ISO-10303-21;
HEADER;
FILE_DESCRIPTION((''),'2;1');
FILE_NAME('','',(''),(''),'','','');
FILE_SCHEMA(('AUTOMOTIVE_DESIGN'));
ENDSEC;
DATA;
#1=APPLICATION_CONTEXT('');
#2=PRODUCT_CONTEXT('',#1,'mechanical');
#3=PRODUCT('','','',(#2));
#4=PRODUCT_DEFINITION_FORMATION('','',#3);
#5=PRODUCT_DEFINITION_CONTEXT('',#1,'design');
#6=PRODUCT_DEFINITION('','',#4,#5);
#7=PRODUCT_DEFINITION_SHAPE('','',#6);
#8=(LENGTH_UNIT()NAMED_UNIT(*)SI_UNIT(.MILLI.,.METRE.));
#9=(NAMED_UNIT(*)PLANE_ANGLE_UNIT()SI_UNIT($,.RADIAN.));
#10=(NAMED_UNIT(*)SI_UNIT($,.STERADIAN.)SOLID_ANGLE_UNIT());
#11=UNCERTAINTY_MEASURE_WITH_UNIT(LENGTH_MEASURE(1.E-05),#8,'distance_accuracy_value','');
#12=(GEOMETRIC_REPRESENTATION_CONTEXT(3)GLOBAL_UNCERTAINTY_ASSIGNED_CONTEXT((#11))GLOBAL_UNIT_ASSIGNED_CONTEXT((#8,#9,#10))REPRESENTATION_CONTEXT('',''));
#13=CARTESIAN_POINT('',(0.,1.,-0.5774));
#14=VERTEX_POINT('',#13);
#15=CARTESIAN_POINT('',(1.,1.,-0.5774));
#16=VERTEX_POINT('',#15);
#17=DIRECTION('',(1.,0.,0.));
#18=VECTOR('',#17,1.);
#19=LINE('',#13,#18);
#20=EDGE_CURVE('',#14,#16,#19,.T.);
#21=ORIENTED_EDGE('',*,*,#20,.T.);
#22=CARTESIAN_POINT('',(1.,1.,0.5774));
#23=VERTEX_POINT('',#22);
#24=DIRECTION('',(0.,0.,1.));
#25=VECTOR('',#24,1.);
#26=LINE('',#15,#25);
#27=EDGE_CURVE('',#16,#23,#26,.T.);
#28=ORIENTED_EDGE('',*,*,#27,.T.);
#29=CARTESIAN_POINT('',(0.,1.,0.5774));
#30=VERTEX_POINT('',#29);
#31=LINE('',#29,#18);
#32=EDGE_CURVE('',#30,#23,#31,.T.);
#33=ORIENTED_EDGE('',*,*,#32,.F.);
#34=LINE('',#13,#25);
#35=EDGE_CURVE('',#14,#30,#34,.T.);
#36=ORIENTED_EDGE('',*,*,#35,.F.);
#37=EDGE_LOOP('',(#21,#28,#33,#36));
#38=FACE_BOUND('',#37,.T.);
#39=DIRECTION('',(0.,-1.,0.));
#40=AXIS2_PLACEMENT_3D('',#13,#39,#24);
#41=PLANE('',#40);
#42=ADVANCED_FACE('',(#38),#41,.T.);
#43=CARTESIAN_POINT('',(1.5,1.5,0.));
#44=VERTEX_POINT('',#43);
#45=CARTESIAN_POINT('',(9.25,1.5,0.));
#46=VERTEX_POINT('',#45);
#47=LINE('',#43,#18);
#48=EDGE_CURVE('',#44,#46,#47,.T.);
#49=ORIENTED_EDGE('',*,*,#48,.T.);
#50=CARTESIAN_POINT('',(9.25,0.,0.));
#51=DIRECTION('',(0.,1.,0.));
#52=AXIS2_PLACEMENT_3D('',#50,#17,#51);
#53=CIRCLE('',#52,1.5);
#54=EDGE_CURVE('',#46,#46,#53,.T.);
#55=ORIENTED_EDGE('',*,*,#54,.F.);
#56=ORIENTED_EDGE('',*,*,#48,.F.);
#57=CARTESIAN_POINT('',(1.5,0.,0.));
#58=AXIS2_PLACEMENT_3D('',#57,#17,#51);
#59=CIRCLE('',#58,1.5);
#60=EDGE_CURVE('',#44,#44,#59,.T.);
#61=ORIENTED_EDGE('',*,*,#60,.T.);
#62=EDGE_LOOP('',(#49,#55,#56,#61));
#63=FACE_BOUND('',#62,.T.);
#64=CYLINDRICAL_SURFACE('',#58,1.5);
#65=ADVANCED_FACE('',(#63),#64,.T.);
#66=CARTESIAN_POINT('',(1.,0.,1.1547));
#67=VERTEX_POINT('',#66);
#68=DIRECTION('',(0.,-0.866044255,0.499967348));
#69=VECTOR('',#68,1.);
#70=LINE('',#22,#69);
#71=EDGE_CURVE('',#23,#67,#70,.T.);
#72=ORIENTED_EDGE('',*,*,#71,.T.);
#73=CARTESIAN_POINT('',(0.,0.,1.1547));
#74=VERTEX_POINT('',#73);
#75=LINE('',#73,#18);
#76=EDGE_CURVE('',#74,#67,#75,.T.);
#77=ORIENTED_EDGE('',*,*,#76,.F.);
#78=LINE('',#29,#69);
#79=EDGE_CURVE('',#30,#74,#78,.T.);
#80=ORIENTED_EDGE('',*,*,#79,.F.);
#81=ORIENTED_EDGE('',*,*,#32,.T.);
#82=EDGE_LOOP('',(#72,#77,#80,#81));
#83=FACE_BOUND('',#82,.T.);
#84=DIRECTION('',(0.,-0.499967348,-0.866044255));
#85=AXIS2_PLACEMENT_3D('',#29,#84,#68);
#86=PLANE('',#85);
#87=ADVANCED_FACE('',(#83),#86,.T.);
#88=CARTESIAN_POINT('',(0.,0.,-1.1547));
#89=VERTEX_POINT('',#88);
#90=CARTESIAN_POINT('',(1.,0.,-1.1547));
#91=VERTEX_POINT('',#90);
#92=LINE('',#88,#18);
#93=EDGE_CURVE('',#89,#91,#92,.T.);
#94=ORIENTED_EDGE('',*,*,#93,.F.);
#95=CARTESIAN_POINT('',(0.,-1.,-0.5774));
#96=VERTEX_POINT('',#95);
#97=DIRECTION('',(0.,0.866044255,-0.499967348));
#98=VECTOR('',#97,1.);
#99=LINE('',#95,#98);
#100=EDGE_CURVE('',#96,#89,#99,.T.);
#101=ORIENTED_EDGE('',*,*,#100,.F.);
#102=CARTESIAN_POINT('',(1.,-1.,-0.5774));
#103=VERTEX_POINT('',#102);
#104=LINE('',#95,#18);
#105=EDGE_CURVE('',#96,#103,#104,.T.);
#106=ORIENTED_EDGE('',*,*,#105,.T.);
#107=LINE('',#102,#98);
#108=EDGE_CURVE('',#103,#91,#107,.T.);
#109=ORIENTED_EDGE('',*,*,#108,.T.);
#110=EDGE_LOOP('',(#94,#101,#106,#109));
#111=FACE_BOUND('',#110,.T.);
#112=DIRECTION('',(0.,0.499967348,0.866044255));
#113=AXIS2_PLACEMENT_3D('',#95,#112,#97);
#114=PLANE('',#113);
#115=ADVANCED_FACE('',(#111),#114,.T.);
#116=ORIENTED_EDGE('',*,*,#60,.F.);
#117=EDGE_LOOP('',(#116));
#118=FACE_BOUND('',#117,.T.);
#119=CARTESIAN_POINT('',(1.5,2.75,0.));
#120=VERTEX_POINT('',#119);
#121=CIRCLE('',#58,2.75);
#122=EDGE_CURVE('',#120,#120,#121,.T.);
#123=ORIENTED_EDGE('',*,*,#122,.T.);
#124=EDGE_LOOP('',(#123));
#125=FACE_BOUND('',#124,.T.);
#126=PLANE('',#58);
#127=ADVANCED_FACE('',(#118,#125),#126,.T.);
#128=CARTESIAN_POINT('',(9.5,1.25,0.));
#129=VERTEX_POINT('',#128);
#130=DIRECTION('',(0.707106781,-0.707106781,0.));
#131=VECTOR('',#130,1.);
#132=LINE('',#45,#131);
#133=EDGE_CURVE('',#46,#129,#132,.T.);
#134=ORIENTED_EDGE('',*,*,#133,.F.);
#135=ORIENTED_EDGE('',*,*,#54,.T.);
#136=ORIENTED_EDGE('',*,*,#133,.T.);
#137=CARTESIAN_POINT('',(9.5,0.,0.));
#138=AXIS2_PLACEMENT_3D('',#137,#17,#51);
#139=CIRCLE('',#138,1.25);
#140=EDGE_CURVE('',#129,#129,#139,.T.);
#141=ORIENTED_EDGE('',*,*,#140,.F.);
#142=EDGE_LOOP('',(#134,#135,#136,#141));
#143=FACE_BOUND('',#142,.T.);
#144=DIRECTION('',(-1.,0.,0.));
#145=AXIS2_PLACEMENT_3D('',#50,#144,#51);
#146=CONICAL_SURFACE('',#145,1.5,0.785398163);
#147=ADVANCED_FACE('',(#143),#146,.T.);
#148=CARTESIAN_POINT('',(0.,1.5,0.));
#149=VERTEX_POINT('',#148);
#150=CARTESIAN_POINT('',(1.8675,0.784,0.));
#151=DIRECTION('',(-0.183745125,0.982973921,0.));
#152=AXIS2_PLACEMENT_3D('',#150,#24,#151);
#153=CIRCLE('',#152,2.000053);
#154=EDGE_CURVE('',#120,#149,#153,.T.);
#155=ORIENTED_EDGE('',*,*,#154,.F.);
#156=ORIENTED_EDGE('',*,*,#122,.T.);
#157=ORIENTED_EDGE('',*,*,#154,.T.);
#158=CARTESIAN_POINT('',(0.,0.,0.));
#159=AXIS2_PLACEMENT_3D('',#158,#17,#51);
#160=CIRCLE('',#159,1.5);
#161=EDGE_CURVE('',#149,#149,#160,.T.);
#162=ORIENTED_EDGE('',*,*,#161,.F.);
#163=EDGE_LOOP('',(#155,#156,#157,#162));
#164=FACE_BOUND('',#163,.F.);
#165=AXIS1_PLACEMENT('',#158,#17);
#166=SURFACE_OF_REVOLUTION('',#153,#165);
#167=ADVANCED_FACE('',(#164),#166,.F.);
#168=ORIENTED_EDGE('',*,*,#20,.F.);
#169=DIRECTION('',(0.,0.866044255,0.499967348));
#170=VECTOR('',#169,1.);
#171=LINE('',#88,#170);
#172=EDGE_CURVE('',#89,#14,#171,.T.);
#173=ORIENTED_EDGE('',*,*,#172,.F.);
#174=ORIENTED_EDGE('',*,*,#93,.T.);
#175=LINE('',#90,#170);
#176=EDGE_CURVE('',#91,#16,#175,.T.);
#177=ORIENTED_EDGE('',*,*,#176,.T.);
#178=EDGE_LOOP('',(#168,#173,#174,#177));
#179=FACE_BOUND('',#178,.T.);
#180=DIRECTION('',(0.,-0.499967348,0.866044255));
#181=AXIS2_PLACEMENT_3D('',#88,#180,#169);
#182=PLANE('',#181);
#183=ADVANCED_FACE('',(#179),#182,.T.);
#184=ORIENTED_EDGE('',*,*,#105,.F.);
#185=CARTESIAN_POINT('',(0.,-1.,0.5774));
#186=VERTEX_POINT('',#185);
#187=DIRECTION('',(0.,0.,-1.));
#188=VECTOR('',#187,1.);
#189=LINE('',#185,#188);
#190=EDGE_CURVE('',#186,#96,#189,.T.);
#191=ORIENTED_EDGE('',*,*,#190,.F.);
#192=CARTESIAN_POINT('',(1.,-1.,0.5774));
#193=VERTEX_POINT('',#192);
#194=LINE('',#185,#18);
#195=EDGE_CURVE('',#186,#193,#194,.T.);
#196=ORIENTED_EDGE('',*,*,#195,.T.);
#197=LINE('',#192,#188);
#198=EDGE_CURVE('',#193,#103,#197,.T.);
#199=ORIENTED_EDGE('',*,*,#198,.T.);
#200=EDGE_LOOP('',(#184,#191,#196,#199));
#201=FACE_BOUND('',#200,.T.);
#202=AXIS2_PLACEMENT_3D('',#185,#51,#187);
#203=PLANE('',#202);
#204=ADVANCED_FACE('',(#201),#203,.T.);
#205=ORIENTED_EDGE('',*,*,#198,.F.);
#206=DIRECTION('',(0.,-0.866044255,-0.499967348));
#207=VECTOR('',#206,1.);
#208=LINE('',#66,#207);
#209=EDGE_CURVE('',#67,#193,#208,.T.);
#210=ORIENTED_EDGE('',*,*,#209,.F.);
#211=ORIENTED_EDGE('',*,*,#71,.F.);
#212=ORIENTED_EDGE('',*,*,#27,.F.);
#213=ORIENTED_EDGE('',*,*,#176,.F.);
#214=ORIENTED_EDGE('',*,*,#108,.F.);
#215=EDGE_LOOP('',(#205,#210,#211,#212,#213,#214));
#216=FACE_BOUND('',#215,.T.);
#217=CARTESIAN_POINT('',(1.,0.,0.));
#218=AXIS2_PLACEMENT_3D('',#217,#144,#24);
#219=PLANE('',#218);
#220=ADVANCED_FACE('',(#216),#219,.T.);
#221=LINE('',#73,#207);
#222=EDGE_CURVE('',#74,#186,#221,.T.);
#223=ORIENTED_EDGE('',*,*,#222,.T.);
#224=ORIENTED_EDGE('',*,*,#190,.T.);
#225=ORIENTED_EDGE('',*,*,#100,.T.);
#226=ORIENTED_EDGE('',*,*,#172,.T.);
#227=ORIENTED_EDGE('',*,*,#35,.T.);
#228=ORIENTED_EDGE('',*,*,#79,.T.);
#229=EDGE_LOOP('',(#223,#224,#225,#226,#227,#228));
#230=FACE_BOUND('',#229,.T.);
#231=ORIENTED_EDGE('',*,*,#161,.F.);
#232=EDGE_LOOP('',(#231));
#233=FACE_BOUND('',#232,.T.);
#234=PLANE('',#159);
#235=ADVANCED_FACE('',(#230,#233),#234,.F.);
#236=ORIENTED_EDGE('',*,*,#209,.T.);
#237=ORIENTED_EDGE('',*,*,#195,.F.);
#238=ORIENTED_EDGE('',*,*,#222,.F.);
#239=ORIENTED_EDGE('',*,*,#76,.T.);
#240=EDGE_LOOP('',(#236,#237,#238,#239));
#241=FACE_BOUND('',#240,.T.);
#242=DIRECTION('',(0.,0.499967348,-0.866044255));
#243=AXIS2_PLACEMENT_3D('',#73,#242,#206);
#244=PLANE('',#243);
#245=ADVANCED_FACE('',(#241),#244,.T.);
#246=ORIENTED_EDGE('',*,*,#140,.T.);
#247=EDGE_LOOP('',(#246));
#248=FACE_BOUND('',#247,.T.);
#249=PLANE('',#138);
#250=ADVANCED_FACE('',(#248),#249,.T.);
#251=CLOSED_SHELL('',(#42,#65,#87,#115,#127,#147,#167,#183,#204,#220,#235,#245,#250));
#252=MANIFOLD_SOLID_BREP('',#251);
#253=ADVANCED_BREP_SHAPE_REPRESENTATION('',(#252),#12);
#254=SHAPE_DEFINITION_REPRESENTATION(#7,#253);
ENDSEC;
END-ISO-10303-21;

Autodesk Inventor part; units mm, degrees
ref_plane "YZ Plane" through (0, 0, 0) normal (1, 0, 0) x (0, 1, 0)
ref_plane "XZ Plane" through (0, 0, 0) normal (0, 1, 0) x (-1, 0, 0)
ref_plane "XY Plane" through (0, 0, 0) normal (0, 0, 1) x (1, 0, 0)
sketch "Sketch1" plane through (0, 0, 0) normal (0, 0, 1) x (1, 0, 0)
  line L0 (0, 0) -> (9.5, 0)
  line L1 (0, 0) -> (0, 1.5)
  arc A0 (1.5, 2.75) -> (0, 1.5) centre (1.8675, 0.784) ccw
  line L2 (1.5, 2.75) -> (1.5, 1.5)
  line L3 (1.5, 1.5) -> (9.5, 1.5)
  line L4 (9.5, 1.5) -> (9.5, 0)
  dimension "d0" = 1.5
  dimension "d1" = 3
  dimension "d2" = 5.5
  dimension "d3" = 3
  dimension "d4" = 8
  dimension "d5" = 2
revolve "Revolution1" add sketch "Sketch1" angle 360 about axis through (0, 0, 0) along (1, 0, 0)
sketch "Sketch2" plane through (0, 0, 0) normal (-1, 0, 0) x (0, 0, 1)
  line L0 (0.5774, 1) -> (1.1547, 0)
  line L1 (1.1547, 0) -> (0.5774, -1)
  line L2 (0.5774, -1) -> (-0.5774, -1)
  line L3 (-0.5774, -1) -> (-1.1547, 0)
  line L4 (-1.1547, 0) -> (-0.5774, 1)
  line L5 (-0.5774, 1) -> (0.5774, 1)
  point P0 (0, 0)
  point P1 (0, 0)
  dimension "d7" = 2
extrude "Extrusion1" cut sketch "Sketch2" against normal blind 1
thread "Thread1" size "M3x0.5" class "6g" standard "ANSI Metric M Profile" full length
chamfer "Chamfer1" distance 0.25 angle 45 1 edges at (9.5, -1.5, 0)
properties part number "M3 X 8mm BHCS"
